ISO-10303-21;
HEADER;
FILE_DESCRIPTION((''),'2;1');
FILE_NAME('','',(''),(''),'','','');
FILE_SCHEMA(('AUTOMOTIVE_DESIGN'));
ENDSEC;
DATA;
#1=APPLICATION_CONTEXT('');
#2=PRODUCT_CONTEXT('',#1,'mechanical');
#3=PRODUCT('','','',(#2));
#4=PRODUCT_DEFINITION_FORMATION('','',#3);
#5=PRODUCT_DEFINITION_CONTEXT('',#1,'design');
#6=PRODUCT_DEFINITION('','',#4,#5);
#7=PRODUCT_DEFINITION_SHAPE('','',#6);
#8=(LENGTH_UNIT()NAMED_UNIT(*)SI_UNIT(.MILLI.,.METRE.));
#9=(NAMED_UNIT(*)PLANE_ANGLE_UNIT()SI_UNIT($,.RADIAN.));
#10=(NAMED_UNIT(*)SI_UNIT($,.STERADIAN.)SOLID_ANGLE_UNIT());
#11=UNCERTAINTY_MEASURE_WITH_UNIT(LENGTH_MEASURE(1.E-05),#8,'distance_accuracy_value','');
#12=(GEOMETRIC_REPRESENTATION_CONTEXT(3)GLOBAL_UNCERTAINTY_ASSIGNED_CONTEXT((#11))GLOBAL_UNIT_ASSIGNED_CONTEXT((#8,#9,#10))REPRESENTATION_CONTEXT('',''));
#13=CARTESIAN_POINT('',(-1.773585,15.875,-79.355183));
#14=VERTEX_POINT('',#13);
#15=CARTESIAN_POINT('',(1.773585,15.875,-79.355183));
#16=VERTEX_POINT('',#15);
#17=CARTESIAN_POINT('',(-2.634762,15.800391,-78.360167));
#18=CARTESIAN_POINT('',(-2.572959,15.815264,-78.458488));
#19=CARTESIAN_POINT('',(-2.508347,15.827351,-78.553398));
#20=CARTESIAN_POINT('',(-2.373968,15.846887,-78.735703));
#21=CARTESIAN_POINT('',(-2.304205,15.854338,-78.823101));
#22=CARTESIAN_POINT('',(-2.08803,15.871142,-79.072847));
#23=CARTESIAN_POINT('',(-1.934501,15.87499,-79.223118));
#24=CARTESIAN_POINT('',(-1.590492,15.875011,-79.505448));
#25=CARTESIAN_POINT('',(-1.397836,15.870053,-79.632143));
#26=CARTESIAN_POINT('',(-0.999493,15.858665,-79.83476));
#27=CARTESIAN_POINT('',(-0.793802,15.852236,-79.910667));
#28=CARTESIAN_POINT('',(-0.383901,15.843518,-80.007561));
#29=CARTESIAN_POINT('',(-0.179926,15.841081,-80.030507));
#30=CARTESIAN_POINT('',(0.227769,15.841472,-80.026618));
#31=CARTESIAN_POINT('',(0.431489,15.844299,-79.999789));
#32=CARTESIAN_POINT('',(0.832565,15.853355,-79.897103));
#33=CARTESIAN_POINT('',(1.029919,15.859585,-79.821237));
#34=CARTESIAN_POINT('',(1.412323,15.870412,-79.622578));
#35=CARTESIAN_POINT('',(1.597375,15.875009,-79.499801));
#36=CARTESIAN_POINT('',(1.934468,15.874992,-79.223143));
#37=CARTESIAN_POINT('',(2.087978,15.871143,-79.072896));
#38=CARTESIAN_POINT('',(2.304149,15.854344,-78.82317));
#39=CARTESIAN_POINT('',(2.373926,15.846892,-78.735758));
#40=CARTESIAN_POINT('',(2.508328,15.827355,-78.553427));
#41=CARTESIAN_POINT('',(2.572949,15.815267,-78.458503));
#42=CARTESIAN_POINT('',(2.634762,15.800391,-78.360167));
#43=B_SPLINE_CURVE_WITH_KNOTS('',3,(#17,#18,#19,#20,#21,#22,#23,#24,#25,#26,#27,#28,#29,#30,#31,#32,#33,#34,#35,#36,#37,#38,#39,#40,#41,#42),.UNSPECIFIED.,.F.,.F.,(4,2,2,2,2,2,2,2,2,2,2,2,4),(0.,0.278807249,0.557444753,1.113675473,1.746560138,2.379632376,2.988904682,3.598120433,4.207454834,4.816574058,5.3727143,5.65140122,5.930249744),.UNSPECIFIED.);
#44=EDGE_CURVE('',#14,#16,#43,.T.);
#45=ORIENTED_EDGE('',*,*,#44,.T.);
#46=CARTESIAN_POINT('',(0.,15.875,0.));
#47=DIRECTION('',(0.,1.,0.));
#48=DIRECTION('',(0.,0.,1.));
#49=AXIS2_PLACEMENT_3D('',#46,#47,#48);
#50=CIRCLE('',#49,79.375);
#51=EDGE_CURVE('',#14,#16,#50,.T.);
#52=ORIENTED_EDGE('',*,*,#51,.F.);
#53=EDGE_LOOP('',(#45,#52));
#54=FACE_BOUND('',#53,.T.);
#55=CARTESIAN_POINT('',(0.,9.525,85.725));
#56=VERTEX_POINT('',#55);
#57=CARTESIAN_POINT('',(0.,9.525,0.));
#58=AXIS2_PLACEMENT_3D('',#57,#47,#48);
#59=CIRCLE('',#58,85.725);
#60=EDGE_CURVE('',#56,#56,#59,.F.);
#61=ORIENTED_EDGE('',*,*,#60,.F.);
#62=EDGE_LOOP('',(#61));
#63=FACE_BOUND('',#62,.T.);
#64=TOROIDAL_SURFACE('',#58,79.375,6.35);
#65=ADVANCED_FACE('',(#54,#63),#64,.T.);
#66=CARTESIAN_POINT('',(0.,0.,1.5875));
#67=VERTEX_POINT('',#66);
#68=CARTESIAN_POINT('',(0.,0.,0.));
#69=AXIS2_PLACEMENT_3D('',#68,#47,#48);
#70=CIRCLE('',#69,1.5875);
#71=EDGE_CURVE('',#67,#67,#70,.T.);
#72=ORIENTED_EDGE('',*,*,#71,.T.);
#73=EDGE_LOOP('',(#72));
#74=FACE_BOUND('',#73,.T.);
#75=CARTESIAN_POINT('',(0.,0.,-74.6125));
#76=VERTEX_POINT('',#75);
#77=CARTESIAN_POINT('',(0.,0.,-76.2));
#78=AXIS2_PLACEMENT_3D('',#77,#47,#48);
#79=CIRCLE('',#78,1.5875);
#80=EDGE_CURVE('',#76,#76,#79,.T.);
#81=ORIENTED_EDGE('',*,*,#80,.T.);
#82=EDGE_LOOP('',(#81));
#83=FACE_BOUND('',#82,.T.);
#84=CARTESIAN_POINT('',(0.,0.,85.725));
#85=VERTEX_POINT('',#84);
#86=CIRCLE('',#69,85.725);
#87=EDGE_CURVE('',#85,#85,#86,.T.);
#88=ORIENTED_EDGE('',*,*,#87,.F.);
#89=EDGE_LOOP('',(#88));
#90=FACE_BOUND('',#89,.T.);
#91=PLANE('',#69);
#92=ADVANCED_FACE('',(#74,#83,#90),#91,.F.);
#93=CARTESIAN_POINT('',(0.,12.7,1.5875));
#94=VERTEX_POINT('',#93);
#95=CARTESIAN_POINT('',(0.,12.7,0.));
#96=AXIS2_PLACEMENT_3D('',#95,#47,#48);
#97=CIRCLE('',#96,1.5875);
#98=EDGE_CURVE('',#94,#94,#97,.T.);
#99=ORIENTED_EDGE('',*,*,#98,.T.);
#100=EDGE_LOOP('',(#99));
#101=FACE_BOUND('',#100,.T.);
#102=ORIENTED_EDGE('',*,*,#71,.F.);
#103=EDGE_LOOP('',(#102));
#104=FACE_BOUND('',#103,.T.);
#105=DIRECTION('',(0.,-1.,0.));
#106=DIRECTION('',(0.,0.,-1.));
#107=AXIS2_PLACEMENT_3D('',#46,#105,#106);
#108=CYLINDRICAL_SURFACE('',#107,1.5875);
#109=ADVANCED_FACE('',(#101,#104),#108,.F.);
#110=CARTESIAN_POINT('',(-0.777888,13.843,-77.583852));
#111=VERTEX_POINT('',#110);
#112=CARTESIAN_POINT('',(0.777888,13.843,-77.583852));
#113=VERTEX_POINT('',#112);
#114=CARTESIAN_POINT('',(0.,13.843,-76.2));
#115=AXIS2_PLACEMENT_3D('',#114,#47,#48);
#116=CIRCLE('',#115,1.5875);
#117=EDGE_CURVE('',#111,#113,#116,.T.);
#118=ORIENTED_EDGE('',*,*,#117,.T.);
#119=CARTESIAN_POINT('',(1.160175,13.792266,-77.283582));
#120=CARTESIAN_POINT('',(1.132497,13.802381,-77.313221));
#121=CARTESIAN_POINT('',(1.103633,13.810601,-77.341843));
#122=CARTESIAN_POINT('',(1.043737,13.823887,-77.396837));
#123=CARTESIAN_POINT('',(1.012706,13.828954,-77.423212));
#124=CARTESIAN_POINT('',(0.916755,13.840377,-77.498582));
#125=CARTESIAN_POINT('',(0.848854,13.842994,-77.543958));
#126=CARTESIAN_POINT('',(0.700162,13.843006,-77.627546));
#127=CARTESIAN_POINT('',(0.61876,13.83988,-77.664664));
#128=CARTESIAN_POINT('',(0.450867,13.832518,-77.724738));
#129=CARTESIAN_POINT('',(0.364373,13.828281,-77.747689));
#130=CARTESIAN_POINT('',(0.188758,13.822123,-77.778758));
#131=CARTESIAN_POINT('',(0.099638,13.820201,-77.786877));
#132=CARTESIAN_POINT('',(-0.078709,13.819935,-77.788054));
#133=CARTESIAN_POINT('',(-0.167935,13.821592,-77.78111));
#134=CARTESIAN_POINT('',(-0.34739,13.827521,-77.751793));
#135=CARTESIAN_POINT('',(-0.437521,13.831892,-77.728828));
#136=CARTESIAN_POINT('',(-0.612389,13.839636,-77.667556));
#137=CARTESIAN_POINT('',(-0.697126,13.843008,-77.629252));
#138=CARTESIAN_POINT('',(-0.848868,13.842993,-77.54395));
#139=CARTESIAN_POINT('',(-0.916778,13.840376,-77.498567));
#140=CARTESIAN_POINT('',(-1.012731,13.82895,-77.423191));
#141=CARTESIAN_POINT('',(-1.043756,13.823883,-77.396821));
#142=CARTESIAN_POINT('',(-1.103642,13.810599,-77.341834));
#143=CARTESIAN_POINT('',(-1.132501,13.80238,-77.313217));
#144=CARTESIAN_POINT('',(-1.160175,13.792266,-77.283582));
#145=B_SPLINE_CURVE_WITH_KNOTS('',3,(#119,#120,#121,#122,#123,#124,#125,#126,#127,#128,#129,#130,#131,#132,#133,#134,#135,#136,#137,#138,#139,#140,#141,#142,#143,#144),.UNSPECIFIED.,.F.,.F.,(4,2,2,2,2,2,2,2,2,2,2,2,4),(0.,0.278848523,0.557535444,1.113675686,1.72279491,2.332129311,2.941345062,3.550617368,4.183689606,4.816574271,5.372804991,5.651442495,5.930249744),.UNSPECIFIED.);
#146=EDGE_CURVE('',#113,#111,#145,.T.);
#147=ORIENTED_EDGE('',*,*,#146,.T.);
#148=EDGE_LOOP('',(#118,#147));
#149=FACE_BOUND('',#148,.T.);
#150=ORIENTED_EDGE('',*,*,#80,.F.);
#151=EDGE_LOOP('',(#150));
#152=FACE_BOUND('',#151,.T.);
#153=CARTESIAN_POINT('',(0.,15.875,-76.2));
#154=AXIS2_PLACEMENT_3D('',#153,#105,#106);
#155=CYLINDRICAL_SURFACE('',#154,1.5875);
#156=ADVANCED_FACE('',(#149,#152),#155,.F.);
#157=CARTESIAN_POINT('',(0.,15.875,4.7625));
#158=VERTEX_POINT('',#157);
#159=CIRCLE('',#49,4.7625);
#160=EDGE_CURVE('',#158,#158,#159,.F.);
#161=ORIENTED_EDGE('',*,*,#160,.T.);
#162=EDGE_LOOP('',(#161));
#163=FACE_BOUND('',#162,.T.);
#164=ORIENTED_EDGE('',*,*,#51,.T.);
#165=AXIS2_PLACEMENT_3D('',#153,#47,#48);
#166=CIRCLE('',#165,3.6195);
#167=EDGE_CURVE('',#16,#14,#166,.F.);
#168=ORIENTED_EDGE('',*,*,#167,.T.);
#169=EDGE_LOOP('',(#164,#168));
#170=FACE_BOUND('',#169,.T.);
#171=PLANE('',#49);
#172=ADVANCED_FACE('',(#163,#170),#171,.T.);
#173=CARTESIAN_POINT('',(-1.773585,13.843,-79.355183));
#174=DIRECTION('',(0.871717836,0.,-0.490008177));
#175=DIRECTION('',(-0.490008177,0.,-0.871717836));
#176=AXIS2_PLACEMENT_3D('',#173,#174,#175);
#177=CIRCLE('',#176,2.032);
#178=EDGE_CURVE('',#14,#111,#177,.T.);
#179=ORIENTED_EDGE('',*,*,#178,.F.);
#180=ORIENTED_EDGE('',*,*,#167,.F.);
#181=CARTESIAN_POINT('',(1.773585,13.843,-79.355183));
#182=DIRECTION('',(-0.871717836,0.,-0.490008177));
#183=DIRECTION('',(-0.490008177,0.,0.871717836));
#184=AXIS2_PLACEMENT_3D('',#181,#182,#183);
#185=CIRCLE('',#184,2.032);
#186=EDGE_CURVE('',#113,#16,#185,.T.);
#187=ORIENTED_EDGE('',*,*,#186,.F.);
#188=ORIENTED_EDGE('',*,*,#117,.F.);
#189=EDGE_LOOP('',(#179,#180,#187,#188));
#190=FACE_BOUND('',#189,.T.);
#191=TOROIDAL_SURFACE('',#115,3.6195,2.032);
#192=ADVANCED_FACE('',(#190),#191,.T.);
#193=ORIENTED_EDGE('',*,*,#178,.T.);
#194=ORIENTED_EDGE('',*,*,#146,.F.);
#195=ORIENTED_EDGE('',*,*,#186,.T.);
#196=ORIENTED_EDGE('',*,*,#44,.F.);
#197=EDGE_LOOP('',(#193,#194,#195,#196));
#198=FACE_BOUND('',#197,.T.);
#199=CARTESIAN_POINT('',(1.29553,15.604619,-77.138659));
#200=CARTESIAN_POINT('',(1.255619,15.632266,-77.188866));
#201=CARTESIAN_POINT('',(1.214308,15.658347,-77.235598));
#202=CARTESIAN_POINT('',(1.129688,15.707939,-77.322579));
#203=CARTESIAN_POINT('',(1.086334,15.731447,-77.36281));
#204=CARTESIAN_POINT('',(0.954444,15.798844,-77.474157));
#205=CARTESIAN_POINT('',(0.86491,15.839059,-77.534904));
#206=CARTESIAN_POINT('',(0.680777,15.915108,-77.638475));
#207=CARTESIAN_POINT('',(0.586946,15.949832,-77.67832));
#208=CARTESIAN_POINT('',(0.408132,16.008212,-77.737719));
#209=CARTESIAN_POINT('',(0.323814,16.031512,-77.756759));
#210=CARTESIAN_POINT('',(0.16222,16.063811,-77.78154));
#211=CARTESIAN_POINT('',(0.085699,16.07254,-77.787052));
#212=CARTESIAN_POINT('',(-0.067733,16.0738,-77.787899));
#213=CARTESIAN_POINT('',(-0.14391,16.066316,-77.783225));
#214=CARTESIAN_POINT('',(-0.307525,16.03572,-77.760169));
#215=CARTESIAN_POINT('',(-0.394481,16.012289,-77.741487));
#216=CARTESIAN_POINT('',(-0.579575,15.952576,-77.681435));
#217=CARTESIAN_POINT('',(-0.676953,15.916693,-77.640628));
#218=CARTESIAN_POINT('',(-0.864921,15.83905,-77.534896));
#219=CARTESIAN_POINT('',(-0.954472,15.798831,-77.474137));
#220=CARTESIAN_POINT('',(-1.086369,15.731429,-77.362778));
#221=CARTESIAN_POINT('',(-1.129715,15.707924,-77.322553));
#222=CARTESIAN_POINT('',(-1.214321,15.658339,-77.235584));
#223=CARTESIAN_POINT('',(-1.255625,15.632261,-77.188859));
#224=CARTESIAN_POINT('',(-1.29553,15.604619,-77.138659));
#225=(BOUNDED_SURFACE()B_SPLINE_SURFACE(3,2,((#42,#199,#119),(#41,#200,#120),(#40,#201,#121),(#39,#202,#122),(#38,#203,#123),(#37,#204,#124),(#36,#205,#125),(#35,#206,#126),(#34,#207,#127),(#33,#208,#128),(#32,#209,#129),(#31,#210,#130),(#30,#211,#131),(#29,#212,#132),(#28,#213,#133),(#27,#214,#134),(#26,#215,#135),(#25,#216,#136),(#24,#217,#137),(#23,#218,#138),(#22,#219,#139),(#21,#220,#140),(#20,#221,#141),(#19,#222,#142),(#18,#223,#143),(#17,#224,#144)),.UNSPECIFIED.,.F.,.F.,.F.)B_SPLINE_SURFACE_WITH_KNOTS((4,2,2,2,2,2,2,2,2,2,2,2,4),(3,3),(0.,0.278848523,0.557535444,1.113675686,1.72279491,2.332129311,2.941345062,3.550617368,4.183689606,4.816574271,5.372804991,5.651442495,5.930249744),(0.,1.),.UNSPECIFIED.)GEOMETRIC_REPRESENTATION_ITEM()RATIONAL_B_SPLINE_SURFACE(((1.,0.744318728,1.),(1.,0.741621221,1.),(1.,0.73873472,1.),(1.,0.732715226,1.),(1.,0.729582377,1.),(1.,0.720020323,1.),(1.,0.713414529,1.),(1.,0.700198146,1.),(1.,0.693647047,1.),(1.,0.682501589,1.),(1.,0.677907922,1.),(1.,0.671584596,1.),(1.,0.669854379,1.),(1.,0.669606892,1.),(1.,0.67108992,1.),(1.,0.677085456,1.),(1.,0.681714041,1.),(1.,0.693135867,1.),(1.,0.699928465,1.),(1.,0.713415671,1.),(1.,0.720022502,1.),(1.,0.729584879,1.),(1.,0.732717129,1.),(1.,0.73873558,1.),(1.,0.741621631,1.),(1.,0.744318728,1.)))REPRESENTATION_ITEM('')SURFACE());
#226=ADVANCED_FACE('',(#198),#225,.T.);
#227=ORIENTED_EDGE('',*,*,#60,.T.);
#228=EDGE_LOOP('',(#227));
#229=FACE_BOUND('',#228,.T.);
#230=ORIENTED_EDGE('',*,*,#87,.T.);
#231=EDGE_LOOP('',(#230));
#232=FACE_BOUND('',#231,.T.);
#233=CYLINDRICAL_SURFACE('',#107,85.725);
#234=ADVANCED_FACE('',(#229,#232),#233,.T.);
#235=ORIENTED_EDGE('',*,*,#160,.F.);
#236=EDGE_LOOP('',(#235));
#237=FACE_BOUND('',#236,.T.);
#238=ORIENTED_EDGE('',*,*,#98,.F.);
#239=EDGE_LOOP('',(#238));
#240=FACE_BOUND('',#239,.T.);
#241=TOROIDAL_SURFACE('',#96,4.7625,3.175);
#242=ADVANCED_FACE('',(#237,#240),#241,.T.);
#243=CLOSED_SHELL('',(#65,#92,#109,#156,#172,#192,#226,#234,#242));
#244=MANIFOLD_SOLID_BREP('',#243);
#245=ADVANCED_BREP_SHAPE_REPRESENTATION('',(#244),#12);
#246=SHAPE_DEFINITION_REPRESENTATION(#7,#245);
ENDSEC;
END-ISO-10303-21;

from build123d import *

# Parameters (mm, degrees)
SKETCH3_R          = 85.725
SKETCH3_R_2        = 1.5875
BASE_EXTRUDE_DEPTH = 15.875
FILLET2_R          = 6.35
FILLET3_R          = 3.175
FILLET4_R          = 2.032


with BuildPart() as part:
    # Sketch3 → Base-Extrude (new body)
    with BuildSketch(Plane(origin=(0, 0, 0), x_dir=(1, 0, 0), z_dir=(0, 1, 0))):
        with Locations(Location((0, 0, 0), (0, 0, 270))):
            Circle(SKETCH3_R)
        with Locations(Location((0, 0, 0), (0, 0, 270))):
            Circle(SKETCH3_R_2, mode=Mode.SUBTRACT)
        with Locations(Location((0, 76.2, 0), (0, 0, 270))):
            Circle(SKETCH3_R_2, mode=Mode.SUBTRACT)
    extrude(amount=BASE_EXTRUDE_DEPTH)

    # Fillet2
    fillet2_edges = [part.edges().sort_by_distance(p)[0] for p in [
        (0, 15.875, -85.725),
    ]]
    fillet(fillet2_edges, radius=FILLET2_R)

    # Fillet3
    fillet3_edges = [part.edges().sort_by_distance(p)[0] for p in [
        (0, 15.875, -1.5875),
    ]]
    fillet(fillet3_edges, radius=FILLET3_R)

    # Fillet4
    fillet4_edges = [part.edges().sort_by_distance(p)[0] for p in [
        (0, 15.875, -77.7875),
    ]]
    fillet(fillet4_edges, radius=FILLET4_R)


solid = part.part
